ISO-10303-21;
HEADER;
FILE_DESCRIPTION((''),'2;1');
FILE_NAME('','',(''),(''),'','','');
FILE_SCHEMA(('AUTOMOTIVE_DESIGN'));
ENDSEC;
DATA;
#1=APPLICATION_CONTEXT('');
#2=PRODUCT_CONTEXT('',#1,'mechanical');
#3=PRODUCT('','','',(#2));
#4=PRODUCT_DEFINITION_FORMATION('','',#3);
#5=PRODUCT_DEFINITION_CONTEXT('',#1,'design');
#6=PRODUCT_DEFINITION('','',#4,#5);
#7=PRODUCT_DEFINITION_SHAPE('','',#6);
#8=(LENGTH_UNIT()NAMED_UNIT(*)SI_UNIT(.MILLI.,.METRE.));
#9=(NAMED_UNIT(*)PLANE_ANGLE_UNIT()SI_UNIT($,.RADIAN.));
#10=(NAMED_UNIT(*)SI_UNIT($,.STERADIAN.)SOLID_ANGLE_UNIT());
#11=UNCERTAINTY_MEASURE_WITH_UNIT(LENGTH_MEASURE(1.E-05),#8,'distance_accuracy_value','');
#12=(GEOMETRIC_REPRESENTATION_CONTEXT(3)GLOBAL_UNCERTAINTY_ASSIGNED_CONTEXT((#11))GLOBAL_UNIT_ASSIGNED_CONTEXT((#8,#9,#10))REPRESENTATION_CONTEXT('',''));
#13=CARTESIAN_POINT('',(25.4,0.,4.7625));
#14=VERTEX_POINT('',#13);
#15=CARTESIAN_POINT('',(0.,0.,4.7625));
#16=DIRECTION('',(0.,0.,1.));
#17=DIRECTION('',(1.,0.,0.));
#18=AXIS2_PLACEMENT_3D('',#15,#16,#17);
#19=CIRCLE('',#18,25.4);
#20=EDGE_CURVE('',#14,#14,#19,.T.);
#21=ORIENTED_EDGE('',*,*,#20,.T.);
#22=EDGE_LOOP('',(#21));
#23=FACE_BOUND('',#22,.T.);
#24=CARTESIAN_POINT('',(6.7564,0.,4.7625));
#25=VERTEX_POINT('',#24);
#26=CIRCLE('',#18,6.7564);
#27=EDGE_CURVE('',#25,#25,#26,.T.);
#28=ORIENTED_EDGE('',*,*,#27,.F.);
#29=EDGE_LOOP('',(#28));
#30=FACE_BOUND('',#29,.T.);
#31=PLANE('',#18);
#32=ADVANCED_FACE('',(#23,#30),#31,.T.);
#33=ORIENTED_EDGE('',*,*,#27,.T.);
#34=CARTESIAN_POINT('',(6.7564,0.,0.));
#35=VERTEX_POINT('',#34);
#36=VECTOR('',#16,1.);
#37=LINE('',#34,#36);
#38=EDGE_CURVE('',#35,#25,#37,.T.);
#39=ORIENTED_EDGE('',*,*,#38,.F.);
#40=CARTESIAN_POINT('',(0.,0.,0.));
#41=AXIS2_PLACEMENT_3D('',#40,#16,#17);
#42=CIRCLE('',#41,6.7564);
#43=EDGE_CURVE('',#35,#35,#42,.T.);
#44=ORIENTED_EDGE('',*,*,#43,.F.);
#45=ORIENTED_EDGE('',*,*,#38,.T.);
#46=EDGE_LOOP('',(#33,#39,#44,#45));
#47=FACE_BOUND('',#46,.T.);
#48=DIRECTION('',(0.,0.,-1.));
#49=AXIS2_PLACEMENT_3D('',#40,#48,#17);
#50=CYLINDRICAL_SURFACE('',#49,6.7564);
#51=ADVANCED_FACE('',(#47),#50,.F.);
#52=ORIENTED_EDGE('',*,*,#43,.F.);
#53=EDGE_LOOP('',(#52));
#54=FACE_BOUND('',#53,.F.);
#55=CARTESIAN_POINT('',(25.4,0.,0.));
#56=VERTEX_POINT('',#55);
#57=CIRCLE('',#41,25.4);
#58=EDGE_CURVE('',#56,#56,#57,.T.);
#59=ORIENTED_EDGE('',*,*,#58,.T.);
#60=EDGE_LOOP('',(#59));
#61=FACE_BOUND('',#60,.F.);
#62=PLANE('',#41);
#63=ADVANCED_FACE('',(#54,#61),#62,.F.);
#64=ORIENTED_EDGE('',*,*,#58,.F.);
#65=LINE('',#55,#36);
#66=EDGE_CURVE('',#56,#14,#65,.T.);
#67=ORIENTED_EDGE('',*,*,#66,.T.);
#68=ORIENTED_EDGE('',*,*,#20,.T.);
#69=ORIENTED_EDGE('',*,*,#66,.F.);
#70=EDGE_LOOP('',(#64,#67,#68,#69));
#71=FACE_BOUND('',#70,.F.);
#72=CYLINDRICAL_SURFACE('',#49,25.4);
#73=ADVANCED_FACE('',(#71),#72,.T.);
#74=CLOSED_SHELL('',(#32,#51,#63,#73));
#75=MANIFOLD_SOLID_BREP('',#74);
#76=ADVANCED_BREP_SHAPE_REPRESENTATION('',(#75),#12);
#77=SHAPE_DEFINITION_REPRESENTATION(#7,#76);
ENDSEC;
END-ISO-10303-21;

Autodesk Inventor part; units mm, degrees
ref_plane "YZ Plane" through (0, 0, 0) normal (1, 0, 0) x (0, 1, 0)
ref_plane "XZ Plane" through (0, 0, 0) normal (0, 1, 0) x (-1, 0, 0)
ref_plane "XY Plane" through (0, 0, 0) normal (0, 0, 1) x (1, 0, 0)
sketch "Sketch12" plane through (0, 0, 0) normal (0, 0, 1) x (1, 0, 0)
  circle A0 centre (0, 0) radius 25.4
  circle A1 centre (0, 0) radius 6.7564
  dimension "d107" = 50.8
  dimension "d108" = 13.5128
extrude "Plate4" add sketch "Sketch12" along normal blind 4.7625
equation "\"d109\" = Thickness"
equation "\"BendRadius\" = Thickness"
equation "\"BendReliefWidth\" = Thickness"
equation "\"BendReliefDepth\" = 0.5 * Thickness"
equation "\"CornerReliefSize\" = 4 * Thickness"
equation "\"MinimumRemnant\" = 2 * Thickness"
equation "\"TransitionRadius\" = BendRadius"
equation "\"JacobiRadiusSize\" = BendRadius"
equation "\"GapSize\" = Thickness"
equation "\"Thickness\" = 4.7625"
properties part number "CRA-1029" material "Steel, Mild"
